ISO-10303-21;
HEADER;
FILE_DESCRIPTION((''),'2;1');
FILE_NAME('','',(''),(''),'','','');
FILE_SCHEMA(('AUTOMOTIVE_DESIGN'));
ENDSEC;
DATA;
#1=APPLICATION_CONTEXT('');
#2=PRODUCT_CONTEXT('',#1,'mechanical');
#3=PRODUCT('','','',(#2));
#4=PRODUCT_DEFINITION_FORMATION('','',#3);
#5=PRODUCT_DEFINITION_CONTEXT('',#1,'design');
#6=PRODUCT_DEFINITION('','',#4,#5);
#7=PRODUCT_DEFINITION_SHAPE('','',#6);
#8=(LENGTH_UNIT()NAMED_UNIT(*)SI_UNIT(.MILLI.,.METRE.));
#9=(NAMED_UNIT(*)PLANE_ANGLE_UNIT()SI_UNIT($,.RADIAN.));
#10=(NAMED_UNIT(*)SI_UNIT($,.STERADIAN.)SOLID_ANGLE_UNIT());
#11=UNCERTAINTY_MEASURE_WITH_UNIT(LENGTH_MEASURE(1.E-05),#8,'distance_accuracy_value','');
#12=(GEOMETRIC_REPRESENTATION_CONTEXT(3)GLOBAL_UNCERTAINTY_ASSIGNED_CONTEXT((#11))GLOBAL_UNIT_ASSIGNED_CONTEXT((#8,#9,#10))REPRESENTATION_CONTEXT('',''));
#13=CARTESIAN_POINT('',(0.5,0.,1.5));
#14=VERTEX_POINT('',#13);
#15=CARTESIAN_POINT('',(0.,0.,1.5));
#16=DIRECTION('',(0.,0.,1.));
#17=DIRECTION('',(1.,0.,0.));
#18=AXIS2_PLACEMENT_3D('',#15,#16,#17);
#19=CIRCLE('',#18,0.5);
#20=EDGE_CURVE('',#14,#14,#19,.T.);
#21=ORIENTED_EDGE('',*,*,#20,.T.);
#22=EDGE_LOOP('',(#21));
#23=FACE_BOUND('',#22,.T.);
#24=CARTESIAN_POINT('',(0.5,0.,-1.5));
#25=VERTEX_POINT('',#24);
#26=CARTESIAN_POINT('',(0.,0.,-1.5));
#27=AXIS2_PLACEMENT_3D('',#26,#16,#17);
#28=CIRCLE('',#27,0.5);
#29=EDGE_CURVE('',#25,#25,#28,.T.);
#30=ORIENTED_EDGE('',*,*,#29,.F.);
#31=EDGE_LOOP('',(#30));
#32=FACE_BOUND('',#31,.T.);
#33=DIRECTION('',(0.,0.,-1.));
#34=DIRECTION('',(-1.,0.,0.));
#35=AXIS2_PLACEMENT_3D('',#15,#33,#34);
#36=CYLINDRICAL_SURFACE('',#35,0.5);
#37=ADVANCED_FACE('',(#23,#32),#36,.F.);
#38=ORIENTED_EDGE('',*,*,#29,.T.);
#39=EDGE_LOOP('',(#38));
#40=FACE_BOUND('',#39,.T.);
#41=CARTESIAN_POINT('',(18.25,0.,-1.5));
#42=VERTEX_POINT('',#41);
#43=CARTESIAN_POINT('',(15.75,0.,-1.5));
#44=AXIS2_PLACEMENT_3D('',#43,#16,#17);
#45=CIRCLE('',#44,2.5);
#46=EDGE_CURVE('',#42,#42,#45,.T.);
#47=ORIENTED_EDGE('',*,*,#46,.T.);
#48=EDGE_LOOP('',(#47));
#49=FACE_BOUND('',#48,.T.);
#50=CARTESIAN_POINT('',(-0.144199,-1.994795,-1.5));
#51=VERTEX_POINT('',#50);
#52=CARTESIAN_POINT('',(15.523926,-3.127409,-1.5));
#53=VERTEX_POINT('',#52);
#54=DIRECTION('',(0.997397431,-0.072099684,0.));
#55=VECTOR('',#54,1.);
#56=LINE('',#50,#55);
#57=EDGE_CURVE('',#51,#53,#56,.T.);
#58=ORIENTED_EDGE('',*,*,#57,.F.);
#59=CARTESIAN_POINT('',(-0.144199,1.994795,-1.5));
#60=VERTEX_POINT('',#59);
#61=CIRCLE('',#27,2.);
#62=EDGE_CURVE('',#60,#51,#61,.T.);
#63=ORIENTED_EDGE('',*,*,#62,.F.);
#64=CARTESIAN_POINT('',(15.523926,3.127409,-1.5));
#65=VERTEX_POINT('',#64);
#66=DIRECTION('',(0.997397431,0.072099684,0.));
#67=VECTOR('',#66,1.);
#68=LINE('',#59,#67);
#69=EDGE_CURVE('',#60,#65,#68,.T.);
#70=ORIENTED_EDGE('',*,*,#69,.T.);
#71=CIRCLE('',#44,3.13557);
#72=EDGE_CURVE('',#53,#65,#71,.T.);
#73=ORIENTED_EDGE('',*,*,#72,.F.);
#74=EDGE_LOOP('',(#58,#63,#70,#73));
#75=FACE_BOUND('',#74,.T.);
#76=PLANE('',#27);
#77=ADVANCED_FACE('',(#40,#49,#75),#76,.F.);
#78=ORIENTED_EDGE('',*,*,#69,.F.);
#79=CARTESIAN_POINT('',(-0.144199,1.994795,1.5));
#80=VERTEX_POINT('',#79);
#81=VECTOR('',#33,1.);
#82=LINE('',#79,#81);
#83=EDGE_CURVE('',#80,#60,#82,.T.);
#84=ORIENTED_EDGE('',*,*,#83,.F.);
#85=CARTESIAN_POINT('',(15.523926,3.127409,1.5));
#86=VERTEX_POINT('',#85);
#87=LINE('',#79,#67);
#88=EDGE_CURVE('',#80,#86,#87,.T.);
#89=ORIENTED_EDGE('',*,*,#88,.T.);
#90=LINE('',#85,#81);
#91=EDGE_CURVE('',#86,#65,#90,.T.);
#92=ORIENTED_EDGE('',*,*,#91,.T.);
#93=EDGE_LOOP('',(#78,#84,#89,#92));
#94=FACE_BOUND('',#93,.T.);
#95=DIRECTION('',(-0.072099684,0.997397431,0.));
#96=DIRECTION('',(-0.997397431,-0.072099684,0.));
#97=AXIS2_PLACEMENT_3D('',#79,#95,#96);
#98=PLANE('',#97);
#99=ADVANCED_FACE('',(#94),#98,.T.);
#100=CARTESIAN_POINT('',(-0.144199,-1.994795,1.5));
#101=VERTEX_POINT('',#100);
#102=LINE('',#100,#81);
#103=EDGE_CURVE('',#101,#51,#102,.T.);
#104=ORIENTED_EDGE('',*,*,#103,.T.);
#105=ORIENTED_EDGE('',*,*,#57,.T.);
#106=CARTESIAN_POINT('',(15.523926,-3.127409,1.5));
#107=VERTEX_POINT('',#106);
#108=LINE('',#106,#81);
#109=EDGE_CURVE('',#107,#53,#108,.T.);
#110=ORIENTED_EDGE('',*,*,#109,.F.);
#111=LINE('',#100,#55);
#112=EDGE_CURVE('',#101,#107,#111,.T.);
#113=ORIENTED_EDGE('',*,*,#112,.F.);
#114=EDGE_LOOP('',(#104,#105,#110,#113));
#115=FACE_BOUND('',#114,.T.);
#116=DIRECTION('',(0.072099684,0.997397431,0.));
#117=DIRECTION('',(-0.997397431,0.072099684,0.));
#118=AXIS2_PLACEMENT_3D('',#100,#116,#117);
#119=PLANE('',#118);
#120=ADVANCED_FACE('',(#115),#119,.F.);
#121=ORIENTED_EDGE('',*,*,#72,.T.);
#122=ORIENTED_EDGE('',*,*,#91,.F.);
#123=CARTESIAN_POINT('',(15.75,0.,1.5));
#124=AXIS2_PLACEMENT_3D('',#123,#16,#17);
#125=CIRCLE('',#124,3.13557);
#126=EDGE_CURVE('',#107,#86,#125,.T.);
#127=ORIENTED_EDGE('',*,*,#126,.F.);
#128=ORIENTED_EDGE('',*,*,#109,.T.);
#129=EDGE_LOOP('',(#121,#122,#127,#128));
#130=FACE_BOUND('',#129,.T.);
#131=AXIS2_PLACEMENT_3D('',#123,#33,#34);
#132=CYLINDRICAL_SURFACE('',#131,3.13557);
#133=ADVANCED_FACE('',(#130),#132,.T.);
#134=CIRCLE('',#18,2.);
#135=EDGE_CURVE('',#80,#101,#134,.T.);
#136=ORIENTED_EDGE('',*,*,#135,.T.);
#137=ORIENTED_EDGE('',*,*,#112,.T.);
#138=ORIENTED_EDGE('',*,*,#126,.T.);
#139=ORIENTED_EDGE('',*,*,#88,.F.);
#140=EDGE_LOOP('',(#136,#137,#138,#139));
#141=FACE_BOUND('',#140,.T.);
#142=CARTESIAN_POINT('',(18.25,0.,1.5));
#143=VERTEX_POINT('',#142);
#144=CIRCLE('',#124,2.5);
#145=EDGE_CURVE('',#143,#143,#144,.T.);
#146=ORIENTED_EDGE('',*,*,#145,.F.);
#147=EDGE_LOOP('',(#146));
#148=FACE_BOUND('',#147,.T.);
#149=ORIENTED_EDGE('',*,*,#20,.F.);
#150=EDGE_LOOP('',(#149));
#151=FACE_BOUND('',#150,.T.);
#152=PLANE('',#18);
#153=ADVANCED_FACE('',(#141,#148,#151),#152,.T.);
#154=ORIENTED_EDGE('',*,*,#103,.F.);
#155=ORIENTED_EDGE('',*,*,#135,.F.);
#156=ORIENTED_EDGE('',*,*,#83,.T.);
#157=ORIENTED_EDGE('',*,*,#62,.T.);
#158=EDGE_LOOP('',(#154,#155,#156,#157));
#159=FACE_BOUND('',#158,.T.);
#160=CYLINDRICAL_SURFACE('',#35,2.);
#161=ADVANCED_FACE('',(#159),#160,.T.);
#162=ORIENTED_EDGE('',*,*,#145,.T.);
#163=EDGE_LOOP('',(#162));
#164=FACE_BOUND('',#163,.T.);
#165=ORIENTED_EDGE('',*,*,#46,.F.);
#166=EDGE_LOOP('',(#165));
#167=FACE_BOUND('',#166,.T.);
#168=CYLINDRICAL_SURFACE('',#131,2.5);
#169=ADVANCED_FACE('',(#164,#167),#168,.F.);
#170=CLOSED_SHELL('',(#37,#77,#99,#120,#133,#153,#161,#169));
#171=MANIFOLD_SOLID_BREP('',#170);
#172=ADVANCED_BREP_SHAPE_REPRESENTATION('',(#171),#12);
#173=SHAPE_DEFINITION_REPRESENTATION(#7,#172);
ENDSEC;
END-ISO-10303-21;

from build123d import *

# Parameters (mm, degrees)
CROQUIS2_R              = 0.5
CROQUIS2_R_2            = 2.5
SALIENTE_EXTRUIR1_DEPTH = 1.5


with BuildPart() as part:
    # Croquis2 → Saliente-Extruir1 (new body, symmetric)
    with BuildSketch(Plane.XY):
        with BuildLine():
            Line((15.52392639, 3.127409494), (-0.144199369, 1.994794862))
            ThreePointArc((-0.144199369, 1.994794862), (-2, 0), (-0.144199369, -1.994794862))
            Line((-0.144199369, -1.994794862), (15.52392639, -3.127409494))
            ThreePointArc((15.52392639, -3.127409494), (18.885570031, 0), (15.52392639, 3.127409494))
        make_face()
        Circle(CROQUIS2_R, mode=Mode.SUBTRACT)
        with Locations((15.75, 0)):
            Circle(CROQUIS2_R_2, mode=Mode.SUBTRACT)
    extrude(amount=SALIENTE_EXTRUIR1_DEPTH, both=True)


solid = part.part
